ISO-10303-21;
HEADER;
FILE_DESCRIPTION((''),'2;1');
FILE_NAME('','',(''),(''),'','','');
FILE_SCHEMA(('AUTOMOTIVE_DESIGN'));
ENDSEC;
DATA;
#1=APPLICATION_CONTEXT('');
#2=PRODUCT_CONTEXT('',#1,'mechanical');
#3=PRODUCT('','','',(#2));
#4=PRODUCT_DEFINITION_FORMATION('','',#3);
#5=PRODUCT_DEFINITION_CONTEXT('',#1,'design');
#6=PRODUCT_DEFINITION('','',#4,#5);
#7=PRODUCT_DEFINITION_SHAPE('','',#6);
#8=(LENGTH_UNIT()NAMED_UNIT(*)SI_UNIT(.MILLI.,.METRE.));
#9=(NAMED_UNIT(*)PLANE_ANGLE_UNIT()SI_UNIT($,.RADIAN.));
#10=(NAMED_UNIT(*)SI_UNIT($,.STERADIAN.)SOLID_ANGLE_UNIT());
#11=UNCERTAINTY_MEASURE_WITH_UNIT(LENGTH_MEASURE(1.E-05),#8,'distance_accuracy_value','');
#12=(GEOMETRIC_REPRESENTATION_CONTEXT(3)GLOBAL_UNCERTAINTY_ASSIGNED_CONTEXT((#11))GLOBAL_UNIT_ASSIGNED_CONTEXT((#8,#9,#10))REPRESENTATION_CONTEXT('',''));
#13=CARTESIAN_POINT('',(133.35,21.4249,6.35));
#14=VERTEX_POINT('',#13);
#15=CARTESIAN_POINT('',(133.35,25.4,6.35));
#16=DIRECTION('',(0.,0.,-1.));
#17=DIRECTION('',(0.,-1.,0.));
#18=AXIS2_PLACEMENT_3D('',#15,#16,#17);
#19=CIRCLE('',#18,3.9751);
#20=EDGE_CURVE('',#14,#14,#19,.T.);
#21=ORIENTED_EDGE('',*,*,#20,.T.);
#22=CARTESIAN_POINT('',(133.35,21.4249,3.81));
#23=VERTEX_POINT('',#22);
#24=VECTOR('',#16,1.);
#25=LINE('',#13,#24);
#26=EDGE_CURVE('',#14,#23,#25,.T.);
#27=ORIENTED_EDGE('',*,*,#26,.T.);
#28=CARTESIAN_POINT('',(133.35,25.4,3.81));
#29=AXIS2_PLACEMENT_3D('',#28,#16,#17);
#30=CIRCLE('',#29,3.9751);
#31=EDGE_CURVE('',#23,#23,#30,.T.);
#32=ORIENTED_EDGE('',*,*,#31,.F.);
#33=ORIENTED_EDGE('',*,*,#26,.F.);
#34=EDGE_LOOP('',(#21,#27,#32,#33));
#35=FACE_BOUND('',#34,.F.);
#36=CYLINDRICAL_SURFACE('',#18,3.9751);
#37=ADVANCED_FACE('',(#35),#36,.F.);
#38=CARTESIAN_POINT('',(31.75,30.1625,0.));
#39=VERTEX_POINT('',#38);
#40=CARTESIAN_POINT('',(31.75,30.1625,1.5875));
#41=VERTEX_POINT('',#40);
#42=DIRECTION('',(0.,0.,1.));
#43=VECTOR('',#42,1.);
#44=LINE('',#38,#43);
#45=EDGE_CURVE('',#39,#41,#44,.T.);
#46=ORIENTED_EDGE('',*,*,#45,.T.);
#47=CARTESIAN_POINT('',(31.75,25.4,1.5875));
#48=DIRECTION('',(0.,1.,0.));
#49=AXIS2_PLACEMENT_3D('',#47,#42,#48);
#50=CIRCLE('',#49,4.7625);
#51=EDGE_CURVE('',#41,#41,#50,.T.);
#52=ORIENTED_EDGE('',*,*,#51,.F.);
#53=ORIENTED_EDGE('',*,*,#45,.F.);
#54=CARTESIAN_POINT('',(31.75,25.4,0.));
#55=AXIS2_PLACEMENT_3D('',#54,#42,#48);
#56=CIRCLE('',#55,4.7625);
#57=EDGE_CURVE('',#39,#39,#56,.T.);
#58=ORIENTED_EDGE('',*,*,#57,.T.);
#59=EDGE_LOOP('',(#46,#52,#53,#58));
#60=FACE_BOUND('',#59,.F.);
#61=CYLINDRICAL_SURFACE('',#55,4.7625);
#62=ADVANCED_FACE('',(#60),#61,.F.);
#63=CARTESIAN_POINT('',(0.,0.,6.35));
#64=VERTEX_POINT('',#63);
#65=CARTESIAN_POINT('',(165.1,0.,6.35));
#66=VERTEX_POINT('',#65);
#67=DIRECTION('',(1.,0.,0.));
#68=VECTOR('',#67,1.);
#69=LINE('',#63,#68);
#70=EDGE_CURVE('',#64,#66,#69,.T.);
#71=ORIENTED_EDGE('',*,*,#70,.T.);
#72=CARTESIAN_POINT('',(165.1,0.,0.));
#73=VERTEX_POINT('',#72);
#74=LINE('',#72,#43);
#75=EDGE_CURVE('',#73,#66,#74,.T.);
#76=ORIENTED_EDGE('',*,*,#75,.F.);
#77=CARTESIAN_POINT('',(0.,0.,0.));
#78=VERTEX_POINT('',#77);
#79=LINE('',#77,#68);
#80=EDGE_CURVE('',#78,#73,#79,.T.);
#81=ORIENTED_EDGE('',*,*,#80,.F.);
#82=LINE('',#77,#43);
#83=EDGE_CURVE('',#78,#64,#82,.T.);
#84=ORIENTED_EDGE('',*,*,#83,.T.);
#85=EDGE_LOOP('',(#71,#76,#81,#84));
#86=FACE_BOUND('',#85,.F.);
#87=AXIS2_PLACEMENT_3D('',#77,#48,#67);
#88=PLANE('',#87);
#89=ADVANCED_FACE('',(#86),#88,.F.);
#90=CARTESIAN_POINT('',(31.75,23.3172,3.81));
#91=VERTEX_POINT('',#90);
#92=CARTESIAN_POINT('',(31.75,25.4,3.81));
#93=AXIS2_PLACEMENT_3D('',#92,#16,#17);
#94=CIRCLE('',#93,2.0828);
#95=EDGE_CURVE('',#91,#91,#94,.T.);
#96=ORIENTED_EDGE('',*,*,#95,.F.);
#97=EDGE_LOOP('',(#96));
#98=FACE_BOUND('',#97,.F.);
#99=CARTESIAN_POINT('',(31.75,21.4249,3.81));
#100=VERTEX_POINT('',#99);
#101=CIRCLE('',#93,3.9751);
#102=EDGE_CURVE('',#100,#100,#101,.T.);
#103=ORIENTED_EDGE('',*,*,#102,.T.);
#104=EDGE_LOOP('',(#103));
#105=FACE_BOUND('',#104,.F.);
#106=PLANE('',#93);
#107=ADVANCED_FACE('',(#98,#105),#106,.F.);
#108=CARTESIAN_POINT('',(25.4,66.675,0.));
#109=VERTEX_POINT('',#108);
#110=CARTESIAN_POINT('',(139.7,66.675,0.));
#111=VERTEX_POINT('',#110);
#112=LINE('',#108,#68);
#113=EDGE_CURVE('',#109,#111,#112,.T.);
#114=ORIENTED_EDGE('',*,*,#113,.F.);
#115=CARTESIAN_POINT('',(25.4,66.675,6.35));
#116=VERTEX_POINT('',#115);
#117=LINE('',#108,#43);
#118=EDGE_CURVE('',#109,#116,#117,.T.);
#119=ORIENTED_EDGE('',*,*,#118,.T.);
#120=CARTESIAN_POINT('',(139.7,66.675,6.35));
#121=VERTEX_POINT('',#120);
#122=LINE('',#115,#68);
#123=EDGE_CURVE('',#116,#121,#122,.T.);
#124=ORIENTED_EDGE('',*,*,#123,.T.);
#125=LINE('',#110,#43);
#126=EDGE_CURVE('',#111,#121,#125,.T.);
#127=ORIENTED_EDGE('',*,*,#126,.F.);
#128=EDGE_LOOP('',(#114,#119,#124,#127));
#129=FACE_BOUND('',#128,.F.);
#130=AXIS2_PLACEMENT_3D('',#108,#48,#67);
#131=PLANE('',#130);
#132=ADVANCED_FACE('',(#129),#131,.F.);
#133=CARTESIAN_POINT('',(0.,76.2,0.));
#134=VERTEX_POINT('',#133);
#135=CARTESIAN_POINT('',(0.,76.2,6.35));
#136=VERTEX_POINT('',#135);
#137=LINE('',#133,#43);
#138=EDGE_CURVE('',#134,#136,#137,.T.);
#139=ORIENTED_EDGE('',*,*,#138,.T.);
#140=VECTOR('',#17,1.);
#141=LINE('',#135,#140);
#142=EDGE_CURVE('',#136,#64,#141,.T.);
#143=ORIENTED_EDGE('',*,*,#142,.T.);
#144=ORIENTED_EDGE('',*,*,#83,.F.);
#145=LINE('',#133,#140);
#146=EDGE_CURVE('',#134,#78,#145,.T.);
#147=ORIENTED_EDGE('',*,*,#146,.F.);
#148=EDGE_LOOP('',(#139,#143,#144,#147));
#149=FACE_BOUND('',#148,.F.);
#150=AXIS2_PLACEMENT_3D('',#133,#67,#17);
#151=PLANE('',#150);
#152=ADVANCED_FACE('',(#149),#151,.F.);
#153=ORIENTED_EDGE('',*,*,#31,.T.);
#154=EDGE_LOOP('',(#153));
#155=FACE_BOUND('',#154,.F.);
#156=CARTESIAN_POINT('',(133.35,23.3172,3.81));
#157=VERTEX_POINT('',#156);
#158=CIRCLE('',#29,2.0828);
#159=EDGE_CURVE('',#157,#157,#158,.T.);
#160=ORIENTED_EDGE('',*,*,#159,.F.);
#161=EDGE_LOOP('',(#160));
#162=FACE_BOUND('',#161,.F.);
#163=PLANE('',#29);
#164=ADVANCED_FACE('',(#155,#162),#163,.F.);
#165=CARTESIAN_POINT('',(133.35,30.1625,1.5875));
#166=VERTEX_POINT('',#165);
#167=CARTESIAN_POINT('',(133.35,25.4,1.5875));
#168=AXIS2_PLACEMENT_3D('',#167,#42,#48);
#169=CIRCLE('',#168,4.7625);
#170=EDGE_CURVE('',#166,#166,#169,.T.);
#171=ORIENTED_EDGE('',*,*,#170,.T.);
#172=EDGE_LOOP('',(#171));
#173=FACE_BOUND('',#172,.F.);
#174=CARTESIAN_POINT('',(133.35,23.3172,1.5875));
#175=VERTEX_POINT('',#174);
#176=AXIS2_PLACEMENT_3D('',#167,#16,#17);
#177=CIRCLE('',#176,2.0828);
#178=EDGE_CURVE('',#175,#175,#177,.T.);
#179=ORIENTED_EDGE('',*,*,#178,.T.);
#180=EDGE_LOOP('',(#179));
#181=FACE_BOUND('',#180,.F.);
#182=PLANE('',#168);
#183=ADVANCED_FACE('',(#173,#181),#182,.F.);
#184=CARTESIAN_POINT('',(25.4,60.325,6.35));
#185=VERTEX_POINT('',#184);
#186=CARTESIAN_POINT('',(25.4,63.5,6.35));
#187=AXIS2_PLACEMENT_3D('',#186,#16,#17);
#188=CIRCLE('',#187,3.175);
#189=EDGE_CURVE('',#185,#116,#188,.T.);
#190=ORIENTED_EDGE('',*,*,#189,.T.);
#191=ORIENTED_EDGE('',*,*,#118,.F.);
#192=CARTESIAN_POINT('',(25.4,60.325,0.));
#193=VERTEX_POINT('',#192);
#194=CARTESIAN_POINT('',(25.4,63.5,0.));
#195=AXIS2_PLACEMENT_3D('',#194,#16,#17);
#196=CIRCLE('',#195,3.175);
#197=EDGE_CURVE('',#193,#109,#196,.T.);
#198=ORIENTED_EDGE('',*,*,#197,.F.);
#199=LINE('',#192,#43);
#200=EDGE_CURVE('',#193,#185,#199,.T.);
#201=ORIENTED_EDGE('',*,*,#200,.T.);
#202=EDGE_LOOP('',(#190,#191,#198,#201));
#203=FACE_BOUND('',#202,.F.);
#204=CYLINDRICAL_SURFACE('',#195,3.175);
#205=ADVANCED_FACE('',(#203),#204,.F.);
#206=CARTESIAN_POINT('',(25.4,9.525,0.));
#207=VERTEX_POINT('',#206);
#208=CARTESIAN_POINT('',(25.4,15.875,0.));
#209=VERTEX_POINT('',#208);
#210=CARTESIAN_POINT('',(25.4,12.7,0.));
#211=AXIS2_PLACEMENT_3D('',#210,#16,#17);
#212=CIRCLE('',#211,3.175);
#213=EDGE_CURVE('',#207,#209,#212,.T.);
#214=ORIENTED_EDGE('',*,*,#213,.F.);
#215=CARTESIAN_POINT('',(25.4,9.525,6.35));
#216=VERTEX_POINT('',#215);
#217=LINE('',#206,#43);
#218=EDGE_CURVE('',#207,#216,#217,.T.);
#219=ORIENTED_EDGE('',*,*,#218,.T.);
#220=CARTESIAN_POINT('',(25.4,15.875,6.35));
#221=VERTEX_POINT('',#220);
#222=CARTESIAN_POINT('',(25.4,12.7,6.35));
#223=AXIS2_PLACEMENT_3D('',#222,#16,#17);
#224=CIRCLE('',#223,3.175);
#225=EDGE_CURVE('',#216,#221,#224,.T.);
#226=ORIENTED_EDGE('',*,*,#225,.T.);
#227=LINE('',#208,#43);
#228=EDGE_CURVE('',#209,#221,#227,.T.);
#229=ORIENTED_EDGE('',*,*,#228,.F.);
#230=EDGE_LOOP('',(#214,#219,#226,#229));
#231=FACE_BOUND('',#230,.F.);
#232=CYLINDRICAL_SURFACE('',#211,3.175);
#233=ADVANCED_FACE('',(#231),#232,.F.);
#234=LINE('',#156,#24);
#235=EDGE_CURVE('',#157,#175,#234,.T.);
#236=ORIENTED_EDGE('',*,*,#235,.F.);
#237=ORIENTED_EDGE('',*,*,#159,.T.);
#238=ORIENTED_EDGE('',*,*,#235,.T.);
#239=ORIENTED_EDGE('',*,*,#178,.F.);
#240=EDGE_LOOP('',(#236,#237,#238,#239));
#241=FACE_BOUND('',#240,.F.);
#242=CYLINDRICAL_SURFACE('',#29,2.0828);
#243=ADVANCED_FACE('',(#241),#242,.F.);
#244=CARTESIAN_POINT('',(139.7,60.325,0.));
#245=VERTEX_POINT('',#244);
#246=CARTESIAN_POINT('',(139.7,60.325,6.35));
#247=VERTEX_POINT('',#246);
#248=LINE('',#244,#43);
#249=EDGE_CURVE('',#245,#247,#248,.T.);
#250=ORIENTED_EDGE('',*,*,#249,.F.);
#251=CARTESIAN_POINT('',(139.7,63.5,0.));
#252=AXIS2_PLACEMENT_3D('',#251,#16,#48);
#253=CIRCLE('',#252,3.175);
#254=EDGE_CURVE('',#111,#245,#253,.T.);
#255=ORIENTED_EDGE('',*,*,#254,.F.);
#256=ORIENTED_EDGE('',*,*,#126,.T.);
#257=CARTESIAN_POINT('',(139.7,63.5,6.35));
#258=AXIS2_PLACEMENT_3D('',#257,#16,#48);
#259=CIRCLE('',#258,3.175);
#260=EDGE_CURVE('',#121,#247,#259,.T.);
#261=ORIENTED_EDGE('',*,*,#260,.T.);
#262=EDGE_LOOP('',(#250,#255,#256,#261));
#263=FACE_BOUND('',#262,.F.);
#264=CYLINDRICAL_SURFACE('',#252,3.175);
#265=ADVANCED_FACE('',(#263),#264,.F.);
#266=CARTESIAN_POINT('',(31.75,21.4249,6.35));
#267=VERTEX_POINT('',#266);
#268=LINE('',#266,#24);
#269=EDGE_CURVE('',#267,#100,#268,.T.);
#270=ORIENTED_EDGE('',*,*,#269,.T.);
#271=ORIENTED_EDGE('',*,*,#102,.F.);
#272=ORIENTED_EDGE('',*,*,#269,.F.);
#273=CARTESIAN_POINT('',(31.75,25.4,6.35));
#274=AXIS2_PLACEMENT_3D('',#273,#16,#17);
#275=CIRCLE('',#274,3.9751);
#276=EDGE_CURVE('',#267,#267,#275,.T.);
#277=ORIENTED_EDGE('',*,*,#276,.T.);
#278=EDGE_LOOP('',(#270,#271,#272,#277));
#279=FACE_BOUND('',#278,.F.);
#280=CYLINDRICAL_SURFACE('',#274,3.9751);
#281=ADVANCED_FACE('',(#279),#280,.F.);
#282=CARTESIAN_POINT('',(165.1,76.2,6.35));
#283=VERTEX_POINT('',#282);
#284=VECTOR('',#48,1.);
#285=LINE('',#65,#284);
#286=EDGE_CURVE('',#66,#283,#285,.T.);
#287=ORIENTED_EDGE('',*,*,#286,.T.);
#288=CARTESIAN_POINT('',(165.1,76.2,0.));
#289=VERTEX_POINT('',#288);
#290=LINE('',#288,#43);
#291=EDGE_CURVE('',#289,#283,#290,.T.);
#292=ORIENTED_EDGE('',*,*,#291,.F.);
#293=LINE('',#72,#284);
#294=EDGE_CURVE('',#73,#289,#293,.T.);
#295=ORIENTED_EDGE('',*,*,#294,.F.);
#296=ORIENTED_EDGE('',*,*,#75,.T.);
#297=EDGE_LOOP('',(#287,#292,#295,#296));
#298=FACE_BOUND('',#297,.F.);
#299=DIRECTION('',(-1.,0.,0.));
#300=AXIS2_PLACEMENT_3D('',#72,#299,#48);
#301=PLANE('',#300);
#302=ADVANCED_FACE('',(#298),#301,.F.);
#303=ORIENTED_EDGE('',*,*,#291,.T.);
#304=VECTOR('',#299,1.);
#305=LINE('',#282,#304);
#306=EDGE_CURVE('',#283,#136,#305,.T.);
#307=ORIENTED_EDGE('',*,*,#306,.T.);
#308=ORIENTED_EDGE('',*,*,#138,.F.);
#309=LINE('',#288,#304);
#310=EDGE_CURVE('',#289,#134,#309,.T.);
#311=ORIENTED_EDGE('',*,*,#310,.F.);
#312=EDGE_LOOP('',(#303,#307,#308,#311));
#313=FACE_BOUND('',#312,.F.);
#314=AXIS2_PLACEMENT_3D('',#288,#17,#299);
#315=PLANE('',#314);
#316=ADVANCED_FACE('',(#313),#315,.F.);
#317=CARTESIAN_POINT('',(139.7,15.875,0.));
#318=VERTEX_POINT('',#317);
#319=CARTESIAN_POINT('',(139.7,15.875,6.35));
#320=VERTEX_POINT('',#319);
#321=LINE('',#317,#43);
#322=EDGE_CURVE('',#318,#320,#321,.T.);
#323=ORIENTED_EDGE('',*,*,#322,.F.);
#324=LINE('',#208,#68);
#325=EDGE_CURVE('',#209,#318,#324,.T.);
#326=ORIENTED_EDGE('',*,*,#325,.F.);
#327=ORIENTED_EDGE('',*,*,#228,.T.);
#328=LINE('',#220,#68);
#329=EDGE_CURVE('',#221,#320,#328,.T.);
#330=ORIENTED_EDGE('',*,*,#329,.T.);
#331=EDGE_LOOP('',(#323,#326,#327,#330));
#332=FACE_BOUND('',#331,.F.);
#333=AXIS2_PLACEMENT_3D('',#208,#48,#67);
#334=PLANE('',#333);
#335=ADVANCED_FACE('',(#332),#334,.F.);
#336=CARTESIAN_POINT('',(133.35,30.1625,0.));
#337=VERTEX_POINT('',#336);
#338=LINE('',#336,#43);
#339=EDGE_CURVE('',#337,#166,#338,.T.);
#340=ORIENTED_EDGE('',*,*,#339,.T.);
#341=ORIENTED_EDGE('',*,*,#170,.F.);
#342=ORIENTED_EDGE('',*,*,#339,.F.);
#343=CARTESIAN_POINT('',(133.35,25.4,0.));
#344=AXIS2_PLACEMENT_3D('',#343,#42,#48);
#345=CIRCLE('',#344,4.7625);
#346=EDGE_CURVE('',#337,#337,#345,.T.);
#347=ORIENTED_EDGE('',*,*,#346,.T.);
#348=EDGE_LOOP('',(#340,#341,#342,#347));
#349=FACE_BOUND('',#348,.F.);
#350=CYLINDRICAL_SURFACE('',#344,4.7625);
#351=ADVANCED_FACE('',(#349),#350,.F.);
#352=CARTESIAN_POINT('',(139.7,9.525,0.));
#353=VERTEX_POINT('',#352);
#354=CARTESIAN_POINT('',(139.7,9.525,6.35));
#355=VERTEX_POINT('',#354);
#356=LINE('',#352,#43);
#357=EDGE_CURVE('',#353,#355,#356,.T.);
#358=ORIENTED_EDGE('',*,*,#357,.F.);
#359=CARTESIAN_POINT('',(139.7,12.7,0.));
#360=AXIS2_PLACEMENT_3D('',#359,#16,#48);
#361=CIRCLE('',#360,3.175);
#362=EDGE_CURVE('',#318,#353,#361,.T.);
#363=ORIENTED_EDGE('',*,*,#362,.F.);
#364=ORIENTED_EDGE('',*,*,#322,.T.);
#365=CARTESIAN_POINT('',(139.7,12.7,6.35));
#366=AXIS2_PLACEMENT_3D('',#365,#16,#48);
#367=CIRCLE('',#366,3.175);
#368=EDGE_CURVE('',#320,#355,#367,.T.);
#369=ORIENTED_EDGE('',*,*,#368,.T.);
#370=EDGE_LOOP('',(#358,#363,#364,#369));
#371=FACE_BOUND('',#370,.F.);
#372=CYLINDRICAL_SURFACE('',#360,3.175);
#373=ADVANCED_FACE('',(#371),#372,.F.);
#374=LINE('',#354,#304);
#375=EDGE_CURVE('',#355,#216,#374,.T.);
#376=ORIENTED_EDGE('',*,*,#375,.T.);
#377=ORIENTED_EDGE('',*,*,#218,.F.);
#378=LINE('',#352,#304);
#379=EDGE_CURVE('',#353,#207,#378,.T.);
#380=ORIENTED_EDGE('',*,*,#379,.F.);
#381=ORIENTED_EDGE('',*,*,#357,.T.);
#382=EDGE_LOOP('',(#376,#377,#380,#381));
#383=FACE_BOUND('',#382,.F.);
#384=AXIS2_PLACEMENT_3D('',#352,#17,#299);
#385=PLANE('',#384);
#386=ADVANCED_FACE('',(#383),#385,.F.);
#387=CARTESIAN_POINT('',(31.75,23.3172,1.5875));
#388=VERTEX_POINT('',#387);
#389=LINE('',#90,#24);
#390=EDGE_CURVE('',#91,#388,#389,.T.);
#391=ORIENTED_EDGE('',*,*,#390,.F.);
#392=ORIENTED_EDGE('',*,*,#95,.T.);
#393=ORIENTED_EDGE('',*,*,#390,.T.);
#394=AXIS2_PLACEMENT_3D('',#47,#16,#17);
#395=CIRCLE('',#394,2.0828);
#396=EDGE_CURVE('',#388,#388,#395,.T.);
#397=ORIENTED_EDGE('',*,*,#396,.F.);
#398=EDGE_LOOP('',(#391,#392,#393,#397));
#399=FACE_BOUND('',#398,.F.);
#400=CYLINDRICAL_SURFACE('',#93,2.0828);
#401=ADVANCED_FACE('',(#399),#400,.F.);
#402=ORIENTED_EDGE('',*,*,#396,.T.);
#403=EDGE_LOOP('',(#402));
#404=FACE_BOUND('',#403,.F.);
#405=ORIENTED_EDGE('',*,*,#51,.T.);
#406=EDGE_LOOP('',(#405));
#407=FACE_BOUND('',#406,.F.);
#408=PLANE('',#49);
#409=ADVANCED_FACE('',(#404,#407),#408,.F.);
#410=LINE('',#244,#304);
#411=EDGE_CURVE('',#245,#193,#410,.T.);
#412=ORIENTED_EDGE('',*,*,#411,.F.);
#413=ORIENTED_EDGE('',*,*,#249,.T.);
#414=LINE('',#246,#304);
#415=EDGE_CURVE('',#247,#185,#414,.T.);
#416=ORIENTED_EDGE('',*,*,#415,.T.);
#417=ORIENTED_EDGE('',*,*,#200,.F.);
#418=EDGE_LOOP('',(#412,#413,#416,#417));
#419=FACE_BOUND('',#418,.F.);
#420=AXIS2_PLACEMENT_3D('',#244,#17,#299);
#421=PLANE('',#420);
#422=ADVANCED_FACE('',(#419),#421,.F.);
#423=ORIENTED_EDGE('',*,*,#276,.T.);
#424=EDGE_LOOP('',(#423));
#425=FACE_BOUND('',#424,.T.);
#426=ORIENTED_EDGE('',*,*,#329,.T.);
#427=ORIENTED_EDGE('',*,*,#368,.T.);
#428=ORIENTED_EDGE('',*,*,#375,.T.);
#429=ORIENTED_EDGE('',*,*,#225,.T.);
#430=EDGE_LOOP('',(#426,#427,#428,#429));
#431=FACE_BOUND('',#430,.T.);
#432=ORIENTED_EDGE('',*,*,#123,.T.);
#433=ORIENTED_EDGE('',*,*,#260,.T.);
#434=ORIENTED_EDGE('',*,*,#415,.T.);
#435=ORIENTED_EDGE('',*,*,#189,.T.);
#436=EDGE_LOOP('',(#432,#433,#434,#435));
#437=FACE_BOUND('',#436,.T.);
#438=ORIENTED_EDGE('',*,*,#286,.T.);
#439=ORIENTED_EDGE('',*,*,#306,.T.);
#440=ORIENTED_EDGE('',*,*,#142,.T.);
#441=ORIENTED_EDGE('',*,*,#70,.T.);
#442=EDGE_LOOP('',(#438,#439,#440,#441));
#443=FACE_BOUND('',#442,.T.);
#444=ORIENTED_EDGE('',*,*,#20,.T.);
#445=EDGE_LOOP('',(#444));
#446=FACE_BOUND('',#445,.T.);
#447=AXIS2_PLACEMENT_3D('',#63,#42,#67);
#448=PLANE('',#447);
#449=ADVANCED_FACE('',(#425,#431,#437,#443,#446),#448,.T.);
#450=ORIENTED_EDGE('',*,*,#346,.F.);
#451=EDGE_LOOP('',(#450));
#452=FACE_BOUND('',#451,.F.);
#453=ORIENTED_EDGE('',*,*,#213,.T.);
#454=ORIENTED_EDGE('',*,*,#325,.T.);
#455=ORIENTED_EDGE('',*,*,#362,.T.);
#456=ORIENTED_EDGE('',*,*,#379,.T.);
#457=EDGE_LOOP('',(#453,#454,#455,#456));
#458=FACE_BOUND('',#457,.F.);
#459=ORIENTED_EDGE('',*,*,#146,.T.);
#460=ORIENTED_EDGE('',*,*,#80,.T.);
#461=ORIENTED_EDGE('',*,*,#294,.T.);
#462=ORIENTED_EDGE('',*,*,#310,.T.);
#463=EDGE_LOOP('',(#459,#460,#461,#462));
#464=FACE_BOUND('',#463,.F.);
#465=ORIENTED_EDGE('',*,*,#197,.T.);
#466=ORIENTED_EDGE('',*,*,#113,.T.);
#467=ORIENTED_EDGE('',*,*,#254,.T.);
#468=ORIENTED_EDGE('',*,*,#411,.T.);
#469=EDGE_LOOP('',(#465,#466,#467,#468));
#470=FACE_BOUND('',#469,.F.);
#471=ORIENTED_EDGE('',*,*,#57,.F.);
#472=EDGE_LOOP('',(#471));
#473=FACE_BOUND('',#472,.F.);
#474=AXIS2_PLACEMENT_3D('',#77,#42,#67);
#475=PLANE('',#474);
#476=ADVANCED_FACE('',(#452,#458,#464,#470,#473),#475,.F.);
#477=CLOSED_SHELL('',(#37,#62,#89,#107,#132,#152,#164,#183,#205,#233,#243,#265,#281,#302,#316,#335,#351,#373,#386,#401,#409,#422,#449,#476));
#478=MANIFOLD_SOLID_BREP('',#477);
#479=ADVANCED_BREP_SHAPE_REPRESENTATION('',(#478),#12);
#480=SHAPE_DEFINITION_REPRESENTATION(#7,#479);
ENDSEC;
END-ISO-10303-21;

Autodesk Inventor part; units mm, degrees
ref_plane "YZ Plane" through (0, 0, 0) normal (1, 0, 0) x (0, 1, 0)
ref_plane "XZ Plane" through (0, 0, 0) normal (0, 1, 0) x (-1, 0, 0)
ref_plane "XY Plane" through (0, 0, 0) normal (0, 0, 1) x (1, 0, 0)
sketch "Sketch1" plane through (0, 0, 0) normal (0, 0, 1) x (1, 0, 0)
  line L0 (0, 0) -> (165.1, 0)
  line L1 (165.1, 0) -> (165.1, 76.2)
  line L2 (165.1, 76.2) -> (0, 76.2)
  line L3 (0, 76.2) -> (0, 0)
  dimension "d0" = 165.1
  dimension "d1" = 76.2
extrude "Extrusion1" add sketch "Sketch1" along normal blind 6.35
sketch "Sketch3" plane through (0, 0, 6.35) normal (0, 0, 1) x (1, 0, 0)
  line L0 (31.75, 25.4) -> (133.35, 25.4)
  line L1 (0, 0) -> (165.1, 0) projected
  line L2 (0, 76.2) -> (0, 0) projected
  dimension "d14" = 101.6
  dimension "d15" = 25.4
  dimension "d16" = 31.75
hole "Hole1" at (31.75, 25.4, 6.35) at (133.35, 25.4, 6.35) direction (0, 0, -1) diameter 4.1656 depth 6.35 tip angle 118 counterbore diameter 7.9502 counterbore depth 2.54
sketch "Sketch4" plane through (0, 0, 0) normal (0, 0, -1) x (-1, 0, 0)
  line L0 (-139.7, 12.7) -> (-25.4, 12.7) construction
  line L1 (-139.7, 9.525) -> (-25.4, 9.525)
  line L2 (-25.4, 15.875) -> (-139.7, 15.875)
  arc A0 (-139.7, 15.875) -> (-139.7, 9.525) centre (-139.7, 12.7) ccw
  arc A1 (-25.4, 9.525) -> (-25.4, 15.875) centre (-25.4, 12.7) ccw
  line L3 (0, 76.2) -> (0, 0) projected
  line L4 (-139.7, 63.5) -> (-25.4, 63.5) construction
  line L5 (-139.7, 60.325) -> (-25.4, 60.325)
  line L6 (-25.4, 66.675) -> (-139.7, 66.675)
  arc A2 (-139.7, 66.675) -> (-139.7, 60.325) centre (-139.7, 63.5) ccw
  arc A3 (-25.4, 60.325) -> (-25.4, 66.675) centre (-25.4, 63.5) ccw
  line L7 (-165.1, 76.2) -> (0, 76.2) projected
  point P0 (-82.55, 12.7)
  point P1 (-82.55, 63.5)
  dimension "d24" = 6.35
  dimension "d25" = 25.4
  dimension "d26" = 114.3
  dimension "d27" = 6.35
  dimension "d28" = 50.8
  dimension "d29" = 12.7
  dimension "d32" = 114.3
extrude "Extrusion3" cut sketch "Sketch4" against normal blind 6.35
hole "Hole2" at (31.75, 25.4, 0) direction (0, 0, 1) diameter 9.525 depth 1.5875
hole "Hole4" at (133.35, 25.4, 0) direction (0, 0, 1) diameter 9.525 depth 1.5875
properties part number "bottom"
